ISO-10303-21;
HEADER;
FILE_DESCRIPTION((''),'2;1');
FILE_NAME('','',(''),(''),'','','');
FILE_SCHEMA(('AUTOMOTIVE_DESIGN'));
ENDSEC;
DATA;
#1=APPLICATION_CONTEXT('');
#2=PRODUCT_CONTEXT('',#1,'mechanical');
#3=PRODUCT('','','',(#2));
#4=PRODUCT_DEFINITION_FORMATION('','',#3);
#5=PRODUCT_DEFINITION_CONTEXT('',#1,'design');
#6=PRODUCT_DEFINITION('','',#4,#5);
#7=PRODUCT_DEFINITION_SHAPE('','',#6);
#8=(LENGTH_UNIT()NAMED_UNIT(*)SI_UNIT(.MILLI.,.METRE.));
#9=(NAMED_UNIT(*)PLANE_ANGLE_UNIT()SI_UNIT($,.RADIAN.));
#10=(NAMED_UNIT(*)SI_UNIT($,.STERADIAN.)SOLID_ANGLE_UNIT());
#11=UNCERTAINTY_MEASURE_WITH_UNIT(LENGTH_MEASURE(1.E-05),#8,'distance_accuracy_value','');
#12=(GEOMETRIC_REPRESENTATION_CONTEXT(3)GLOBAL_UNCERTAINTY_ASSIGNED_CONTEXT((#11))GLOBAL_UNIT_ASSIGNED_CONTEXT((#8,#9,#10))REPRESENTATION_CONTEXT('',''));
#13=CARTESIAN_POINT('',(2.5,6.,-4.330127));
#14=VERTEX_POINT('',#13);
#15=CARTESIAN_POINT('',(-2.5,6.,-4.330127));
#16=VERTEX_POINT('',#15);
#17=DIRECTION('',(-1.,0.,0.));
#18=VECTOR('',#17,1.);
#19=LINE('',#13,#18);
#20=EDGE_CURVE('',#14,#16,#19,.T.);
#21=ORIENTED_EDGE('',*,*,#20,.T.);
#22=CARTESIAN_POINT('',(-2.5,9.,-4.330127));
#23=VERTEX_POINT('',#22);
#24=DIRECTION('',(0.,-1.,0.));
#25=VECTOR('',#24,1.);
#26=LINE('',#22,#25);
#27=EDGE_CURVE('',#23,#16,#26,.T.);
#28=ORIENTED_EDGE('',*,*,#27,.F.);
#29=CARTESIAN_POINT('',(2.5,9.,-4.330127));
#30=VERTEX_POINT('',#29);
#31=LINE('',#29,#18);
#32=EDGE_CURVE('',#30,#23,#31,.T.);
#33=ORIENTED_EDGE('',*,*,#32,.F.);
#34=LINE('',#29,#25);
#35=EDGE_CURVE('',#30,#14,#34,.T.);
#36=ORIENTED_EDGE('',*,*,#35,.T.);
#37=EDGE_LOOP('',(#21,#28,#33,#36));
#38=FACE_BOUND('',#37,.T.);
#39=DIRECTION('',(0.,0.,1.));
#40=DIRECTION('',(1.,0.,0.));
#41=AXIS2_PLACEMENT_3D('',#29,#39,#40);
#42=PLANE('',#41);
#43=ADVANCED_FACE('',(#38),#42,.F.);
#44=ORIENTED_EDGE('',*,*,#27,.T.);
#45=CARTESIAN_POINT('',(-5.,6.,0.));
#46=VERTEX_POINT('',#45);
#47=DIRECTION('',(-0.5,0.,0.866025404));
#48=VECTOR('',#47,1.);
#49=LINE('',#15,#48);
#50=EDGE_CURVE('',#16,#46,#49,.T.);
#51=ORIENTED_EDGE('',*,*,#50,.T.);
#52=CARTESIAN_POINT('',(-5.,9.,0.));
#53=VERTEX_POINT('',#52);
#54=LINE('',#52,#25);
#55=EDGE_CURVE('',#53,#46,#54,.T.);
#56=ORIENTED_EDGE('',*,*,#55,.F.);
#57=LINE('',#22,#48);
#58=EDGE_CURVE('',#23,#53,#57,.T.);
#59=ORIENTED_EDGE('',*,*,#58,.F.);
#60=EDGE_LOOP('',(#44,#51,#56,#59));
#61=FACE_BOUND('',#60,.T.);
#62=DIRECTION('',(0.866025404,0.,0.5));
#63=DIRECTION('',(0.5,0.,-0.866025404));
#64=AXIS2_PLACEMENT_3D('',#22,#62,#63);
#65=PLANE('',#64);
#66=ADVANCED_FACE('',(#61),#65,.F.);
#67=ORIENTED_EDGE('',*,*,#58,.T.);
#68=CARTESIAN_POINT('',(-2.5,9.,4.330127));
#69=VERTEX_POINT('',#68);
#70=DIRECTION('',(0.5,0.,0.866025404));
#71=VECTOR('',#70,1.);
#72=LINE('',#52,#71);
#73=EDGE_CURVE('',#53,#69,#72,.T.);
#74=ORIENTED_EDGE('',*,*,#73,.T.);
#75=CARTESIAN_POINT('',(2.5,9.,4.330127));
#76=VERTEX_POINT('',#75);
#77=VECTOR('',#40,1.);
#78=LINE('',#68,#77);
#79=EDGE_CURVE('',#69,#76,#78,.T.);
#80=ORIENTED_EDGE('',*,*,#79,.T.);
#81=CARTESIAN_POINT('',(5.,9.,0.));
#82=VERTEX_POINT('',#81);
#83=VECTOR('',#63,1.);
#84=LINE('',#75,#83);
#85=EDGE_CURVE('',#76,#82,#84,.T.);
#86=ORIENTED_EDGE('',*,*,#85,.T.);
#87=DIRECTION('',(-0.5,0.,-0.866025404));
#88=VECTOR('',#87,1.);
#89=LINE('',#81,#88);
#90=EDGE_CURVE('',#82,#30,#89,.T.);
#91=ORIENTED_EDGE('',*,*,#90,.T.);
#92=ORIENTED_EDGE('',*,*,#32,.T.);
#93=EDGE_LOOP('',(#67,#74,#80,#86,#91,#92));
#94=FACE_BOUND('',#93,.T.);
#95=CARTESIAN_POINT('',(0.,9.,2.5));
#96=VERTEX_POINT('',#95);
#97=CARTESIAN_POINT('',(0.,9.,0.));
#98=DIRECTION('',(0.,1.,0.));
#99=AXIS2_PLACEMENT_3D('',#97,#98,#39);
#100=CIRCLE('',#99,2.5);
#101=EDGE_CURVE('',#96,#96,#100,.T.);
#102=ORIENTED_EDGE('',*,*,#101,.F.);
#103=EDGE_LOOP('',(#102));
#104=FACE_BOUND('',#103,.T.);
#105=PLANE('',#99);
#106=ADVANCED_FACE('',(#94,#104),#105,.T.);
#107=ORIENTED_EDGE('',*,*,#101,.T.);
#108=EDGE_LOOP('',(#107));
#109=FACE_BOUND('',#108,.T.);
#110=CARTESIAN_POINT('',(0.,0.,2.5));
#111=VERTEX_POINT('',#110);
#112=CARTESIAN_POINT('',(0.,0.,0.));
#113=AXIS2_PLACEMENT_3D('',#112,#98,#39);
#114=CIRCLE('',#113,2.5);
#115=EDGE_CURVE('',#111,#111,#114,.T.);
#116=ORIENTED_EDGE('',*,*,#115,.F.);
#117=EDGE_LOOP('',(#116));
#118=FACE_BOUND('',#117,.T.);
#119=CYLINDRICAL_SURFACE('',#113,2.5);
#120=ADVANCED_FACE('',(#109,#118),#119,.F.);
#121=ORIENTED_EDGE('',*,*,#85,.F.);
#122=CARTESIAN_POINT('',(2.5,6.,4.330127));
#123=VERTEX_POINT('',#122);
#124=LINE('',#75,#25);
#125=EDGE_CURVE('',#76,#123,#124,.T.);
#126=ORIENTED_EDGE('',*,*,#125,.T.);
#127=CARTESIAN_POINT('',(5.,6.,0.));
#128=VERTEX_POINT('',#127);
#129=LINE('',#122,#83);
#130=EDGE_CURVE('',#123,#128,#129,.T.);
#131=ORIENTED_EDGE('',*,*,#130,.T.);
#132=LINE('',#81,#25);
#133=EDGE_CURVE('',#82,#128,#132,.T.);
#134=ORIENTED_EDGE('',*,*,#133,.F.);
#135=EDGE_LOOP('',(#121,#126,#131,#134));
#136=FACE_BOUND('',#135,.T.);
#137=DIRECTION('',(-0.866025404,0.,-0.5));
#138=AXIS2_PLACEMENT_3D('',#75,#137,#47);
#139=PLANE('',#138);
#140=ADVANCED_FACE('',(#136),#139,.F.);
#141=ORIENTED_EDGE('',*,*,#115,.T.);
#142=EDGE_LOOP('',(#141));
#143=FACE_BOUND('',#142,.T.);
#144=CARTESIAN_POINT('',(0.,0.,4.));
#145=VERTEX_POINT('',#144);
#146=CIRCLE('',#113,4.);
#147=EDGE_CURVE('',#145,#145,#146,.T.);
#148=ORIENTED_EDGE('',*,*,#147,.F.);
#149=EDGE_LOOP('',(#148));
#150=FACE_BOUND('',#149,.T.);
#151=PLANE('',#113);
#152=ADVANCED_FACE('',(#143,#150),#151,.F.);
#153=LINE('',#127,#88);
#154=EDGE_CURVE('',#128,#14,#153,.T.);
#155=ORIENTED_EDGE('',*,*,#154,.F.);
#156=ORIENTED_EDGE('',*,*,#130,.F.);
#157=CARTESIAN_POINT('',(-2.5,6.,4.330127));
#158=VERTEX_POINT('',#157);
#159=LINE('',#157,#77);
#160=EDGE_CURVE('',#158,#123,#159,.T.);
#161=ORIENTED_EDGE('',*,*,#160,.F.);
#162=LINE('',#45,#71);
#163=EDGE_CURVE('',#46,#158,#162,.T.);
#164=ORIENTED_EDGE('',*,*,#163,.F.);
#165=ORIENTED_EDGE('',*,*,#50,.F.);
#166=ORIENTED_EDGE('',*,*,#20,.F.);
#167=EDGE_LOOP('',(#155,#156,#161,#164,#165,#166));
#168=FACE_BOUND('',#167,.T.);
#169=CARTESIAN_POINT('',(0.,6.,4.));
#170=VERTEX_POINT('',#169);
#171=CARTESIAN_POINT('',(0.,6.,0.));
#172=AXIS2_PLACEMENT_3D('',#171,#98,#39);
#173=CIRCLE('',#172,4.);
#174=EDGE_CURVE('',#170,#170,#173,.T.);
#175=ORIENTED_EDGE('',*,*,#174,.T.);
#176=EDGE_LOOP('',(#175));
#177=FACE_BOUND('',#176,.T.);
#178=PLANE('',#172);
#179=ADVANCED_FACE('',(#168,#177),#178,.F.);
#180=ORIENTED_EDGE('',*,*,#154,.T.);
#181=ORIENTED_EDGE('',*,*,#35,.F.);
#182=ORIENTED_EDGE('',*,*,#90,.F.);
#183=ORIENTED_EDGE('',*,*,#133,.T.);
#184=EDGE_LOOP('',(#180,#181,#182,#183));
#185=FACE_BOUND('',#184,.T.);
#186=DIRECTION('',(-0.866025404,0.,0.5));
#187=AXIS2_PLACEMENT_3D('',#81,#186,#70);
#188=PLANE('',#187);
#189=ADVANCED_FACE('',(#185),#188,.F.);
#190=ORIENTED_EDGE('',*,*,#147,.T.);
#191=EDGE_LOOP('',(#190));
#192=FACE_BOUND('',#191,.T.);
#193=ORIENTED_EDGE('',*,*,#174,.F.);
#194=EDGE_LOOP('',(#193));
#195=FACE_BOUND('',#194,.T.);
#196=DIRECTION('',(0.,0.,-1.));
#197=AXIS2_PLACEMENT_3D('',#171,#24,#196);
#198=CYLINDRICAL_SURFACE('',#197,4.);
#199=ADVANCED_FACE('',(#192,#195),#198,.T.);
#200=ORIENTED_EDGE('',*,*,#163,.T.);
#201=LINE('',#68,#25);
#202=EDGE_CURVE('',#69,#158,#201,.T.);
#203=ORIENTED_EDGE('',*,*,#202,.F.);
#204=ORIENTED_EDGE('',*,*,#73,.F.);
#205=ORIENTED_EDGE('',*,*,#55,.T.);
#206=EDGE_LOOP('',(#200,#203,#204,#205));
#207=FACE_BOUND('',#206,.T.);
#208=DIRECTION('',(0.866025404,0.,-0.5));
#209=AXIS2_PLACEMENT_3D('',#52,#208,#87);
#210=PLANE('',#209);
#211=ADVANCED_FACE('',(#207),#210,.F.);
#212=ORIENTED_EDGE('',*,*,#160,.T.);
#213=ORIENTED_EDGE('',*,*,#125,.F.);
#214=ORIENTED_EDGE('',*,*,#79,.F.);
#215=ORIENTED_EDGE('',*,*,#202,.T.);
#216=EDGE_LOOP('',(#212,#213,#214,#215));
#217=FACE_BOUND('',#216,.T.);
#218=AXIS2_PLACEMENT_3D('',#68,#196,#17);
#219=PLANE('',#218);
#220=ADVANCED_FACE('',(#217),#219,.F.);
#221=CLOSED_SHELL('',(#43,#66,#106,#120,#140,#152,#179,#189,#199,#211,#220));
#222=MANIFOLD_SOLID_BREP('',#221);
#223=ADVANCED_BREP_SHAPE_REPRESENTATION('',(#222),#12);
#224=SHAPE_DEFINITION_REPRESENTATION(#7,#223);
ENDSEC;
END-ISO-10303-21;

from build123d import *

# Parameters (mm, degrees)
SKETCH1_R           = 4
BOSS_EXTRUDE1_DEPTH = 6
BOSS_EXTRUDE2_DEPTH = 3
SKETCH3_R           = 2.5
CUT_EXTRUDE1_DEPTH  = 12.169153952


with BuildPart() as part:
    # Sketch1 → Boss-Extrude1 (new body)
    with BuildSketch(Plane(origin=(0, 0, 0), x_dir=(1, 0, 0), z_dir=(0, 1, 0))):
        with Locations(Location((0, 0, 0), (0, 0, 270))):
            Circle(SKETCH1_R)
    extrude(amount=BOSS_EXTRUDE1_DEPTH)

    # Sketch2 → Boss-Extrude2 (add)
    with BuildSketch(Plane(origin=(0, 6, 0), x_dir=(1, 0, 0), z_dir=(0, 1, 0))):
        Polygon((2.5, -4.330127019), (5, 0), (2.5, 4.330127019), (-2.5, 4.330127019), (-5, 0), (-2.5, -4.330127019), align=None)
    extrude(amount=BOSS_EXTRUDE2_DEPTH)

    # Sketch3 → Cut-Extrude1 (cut, through all)
    with BuildSketch(Plane(origin=(0, 9, 0), x_dir=(1, 0, 0), z_dir=(0, 1, 0))):
        with Locations(Location((0, 0, 0), (0, 0, 270))):
            Circle(SKETCH3_R)
    extrude(amount=-CUT_EXTRUDE1_DEPTH, mode=Mode.SUBTRACT)


solid = part.part
